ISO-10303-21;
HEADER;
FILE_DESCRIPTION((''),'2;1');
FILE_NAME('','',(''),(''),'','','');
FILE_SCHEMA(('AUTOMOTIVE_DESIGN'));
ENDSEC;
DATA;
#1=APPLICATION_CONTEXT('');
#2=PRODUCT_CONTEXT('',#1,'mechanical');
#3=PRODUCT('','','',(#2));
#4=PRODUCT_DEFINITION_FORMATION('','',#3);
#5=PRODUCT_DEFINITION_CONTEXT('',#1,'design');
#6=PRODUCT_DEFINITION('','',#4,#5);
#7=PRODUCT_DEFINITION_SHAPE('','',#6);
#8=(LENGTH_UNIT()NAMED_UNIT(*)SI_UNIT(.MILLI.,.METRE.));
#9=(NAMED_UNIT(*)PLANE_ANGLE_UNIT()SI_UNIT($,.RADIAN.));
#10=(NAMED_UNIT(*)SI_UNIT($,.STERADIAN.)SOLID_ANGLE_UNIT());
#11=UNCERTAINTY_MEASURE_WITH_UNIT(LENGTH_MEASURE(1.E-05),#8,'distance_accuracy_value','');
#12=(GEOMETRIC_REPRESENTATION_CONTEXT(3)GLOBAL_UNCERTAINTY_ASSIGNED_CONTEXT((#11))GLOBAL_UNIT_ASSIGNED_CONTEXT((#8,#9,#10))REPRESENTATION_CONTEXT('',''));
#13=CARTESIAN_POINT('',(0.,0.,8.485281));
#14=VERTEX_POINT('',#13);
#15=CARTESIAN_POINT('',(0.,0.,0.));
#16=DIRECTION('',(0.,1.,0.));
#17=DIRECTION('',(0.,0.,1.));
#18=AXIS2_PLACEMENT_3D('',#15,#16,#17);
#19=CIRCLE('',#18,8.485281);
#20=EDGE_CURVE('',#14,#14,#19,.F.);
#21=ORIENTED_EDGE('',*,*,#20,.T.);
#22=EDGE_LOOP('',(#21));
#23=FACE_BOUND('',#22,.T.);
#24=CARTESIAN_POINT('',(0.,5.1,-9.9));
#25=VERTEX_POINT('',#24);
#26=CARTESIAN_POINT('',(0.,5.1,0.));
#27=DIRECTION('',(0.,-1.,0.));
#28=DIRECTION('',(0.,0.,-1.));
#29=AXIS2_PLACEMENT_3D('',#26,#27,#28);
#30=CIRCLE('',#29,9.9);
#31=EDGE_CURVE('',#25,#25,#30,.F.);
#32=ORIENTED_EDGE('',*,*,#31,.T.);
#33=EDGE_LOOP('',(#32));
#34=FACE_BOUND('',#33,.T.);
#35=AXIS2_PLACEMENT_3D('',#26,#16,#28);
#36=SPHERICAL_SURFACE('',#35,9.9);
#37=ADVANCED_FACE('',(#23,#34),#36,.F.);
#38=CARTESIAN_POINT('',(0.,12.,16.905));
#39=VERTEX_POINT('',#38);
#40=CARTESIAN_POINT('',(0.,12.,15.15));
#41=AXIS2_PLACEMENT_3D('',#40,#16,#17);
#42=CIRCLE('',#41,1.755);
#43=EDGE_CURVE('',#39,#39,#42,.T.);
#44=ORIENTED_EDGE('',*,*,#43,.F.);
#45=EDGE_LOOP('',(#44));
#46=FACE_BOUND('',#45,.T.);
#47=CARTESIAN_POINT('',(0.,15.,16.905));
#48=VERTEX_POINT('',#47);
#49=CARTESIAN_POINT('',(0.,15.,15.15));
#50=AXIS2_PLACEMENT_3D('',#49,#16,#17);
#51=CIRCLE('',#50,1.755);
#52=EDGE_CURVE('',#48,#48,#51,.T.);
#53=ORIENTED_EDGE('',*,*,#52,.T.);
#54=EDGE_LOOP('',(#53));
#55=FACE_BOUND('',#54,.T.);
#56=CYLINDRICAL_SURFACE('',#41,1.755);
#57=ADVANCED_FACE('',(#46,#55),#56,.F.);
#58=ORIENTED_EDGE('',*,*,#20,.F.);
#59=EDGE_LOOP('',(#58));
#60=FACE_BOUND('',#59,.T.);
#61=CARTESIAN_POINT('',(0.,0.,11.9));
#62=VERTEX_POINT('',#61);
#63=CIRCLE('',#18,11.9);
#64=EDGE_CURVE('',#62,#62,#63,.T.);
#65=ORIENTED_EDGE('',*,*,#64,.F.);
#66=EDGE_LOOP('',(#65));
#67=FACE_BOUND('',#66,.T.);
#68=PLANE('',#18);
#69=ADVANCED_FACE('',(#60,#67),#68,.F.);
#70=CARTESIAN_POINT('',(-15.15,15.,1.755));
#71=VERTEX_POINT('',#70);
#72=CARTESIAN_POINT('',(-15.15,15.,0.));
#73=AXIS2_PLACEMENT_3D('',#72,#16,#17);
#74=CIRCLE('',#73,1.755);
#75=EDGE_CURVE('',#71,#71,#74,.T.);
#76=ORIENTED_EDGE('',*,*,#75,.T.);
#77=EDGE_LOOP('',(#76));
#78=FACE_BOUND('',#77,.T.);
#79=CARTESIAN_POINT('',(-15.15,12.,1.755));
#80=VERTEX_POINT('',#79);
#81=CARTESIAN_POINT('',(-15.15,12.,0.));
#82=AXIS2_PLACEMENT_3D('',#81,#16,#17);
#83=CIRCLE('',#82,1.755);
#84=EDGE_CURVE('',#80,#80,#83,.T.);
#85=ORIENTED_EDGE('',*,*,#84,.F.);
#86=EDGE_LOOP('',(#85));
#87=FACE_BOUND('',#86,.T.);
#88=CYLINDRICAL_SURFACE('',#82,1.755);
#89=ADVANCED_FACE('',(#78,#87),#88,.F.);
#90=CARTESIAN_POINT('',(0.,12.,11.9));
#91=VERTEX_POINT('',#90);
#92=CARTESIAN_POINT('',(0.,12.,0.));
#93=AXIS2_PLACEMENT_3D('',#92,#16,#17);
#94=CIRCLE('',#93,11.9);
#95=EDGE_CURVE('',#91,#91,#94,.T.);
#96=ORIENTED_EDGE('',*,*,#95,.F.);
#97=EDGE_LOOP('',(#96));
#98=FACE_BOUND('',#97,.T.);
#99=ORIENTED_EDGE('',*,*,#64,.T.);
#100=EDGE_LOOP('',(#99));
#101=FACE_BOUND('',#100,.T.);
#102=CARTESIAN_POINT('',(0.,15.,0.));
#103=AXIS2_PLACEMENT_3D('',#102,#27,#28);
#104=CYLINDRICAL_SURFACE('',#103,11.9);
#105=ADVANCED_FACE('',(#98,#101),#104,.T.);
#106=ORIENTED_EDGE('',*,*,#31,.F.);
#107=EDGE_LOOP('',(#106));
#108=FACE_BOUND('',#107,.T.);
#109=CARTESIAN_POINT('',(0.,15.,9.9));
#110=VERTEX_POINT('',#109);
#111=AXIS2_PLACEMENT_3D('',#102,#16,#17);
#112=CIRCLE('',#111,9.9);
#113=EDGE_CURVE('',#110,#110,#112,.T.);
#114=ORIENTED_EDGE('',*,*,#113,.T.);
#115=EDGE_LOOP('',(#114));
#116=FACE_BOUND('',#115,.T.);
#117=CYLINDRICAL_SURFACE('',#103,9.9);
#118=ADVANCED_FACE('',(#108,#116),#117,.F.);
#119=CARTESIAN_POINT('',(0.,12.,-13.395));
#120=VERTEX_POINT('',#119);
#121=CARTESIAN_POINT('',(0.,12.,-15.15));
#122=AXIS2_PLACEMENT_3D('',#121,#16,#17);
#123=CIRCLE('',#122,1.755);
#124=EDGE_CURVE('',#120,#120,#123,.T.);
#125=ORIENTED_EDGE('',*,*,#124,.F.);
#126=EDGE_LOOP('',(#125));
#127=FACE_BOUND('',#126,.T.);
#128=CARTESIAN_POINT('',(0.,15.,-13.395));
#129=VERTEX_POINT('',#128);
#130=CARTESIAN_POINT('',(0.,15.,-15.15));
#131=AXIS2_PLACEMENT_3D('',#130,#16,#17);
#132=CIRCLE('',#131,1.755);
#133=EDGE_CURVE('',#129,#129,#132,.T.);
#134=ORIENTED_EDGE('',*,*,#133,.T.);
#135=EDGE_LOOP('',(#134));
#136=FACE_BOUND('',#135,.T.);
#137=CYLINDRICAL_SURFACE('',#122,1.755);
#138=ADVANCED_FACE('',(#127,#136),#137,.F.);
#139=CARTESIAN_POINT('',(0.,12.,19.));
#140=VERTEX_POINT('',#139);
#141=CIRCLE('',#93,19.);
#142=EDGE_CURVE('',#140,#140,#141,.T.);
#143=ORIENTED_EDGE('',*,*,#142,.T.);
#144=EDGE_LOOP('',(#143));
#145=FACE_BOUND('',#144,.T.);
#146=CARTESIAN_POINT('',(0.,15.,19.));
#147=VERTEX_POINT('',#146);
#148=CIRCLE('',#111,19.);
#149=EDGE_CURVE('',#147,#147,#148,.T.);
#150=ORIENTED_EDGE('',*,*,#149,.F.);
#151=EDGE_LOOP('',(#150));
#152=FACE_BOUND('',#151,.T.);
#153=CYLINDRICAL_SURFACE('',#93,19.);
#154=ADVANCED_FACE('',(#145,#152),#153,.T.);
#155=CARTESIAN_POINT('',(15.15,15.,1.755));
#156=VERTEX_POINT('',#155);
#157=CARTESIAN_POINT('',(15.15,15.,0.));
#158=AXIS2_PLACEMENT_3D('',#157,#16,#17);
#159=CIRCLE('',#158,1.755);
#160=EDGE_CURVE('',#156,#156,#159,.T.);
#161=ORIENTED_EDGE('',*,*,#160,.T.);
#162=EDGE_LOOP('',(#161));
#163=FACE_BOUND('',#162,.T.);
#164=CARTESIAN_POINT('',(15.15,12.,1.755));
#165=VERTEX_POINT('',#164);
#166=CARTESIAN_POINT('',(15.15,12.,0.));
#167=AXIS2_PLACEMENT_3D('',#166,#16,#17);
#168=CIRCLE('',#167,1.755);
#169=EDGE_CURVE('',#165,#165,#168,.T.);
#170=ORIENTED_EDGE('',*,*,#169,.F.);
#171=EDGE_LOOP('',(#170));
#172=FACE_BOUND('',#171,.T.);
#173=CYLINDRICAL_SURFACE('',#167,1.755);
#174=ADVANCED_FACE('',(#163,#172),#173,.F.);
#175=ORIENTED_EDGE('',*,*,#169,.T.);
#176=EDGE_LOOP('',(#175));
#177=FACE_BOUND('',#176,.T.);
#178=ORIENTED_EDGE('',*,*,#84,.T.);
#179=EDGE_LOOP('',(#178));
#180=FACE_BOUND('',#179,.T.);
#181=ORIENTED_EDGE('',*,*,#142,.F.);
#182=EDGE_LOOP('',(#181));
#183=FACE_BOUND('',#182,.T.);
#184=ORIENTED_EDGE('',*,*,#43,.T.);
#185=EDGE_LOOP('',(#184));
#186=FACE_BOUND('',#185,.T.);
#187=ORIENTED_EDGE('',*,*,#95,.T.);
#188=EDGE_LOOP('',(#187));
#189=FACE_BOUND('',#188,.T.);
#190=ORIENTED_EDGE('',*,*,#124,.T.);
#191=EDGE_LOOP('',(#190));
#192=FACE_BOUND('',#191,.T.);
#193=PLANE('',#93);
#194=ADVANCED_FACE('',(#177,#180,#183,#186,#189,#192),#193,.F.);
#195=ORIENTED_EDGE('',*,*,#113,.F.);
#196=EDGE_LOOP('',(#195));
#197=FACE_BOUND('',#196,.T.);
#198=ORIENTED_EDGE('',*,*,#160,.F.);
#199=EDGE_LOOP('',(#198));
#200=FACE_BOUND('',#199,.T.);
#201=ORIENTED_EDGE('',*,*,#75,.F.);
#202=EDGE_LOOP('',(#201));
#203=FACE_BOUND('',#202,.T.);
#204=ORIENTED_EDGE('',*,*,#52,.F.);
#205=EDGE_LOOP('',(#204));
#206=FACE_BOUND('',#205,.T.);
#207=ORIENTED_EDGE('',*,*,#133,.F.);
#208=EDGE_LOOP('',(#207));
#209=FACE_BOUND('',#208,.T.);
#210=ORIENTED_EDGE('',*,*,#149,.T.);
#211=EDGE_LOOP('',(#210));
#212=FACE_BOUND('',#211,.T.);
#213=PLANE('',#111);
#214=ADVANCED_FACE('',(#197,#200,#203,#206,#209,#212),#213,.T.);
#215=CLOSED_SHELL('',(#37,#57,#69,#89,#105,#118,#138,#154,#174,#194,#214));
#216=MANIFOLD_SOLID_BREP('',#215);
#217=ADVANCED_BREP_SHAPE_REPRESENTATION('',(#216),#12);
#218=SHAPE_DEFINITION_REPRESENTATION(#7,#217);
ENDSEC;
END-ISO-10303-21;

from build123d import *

# Parameters (mm, degrees)
SKETCH1_R           = 11.9
SKETCH1_R_2         = 9.9
BOSS_EXTRUDE3_DEPTH = 15
SKETCH4_R           = 9.9
BOSS_EXTRUDE4_DEPTH = 5.1
BOSS_EXTRUDE8_START = -3
SKETCH12_R          = 19
SKETCH12_R_2        = 11.9
BOSS_EXTRUDE8_DEPTH = 3
SKETCH14_R          = 1.755
CUT_EXTRUDE4_DEPTH  = 3


with BuildPart() as part:
    # Sketch1 → Boss-Extrude3 (new body)
    with BuildSketch(Plane(origin=(0, 0, 0), x_dir=(1, 0, 0), z_dir=(0, 1, 0))):
        with Locations(Location((0, 0, 0), (0, 0, 270))):
            Circle(SKETCH1_R)
        with Locations(Location((0, 0, 0), (0, 0, 270))):
            Circle(SKETCH1_R_2, mode=Mode.SUBTRACT)
    extrude(amount=BOSS_EXTRUDE3_DEPTH)

    # Sketch4 → Boss-Extrude4 (add)
    with BuildSketch(Plane.XZ):
        with Locations(Location((0, 0, 0), (0, 0, 270))):
            Circle(SKETCH4_R)
    extrude(amount=-BOSS_EXTRUDE4_DEPTH)

    # Sketch7 → Cut-Revolve2 (revolve, cut)
    with BuildSketch(Plane(origin=(0, 0, 0), x_dir=(0, 0, -1), z_dir=(1, 0, 0))):
        with BuildLine():
            Line((0, 15), (0, -4.8))
            ThreePointArc((0, -4.8), (9.9, 5.1), (0, 15))
        make_face()
    revolve(axis=Axis((0, 15, 0), (0, -1, 0)), mode=Mode.SUBTRACT)

    # Sketch12 → Boss-Extrude8 (add)
    with BuildSketch(Plane(origin=(0, 15, 0), x_dir=(1, 0, 0), z_dir=(0, 1, 0)).offset(BOSS_EXTRUDE8_START)):
        with Locations(Location((0, 0, 0), (0, 0, 270))):
            Circle(SKETCH12_R)
        with Locations(Location((0, 0, 0), (0, 0, 270))):
            Circle(SKETCH12_R_2, mode=Mode.SUBTRACT)
    extrude(amount=BOSS_EXTRUDE8_DEPTH)

    # Sketch14 → Cut-Extrude4 (cut)
    with BuildSketch(Plane(origin=(0, 15, 0), x_dir=(1, 0, 0), z_dir=(0, 1, 0))):
        with Locations(Location((0, 15.15, 0), (0, 0, 270))):
            Circle(SKETCH14_R)
        with Locations(Location((-15.15, 0, 0), (0, 0, 270))):
            Circle(SKETCH14_R)
        with Locations(Location((0, -15.15, 0), (0, 0, 270))):
            Circle(SKETCH14_R)
        with Locations(Location((15.15, 0, 0), (0, 0, 270))):
            Circle(SKETCH14_R)
    extrude(amount=-CUT_EXTRUDE4_DEPTH, mode=Mode.SUBTRACT)


solid = part.part
